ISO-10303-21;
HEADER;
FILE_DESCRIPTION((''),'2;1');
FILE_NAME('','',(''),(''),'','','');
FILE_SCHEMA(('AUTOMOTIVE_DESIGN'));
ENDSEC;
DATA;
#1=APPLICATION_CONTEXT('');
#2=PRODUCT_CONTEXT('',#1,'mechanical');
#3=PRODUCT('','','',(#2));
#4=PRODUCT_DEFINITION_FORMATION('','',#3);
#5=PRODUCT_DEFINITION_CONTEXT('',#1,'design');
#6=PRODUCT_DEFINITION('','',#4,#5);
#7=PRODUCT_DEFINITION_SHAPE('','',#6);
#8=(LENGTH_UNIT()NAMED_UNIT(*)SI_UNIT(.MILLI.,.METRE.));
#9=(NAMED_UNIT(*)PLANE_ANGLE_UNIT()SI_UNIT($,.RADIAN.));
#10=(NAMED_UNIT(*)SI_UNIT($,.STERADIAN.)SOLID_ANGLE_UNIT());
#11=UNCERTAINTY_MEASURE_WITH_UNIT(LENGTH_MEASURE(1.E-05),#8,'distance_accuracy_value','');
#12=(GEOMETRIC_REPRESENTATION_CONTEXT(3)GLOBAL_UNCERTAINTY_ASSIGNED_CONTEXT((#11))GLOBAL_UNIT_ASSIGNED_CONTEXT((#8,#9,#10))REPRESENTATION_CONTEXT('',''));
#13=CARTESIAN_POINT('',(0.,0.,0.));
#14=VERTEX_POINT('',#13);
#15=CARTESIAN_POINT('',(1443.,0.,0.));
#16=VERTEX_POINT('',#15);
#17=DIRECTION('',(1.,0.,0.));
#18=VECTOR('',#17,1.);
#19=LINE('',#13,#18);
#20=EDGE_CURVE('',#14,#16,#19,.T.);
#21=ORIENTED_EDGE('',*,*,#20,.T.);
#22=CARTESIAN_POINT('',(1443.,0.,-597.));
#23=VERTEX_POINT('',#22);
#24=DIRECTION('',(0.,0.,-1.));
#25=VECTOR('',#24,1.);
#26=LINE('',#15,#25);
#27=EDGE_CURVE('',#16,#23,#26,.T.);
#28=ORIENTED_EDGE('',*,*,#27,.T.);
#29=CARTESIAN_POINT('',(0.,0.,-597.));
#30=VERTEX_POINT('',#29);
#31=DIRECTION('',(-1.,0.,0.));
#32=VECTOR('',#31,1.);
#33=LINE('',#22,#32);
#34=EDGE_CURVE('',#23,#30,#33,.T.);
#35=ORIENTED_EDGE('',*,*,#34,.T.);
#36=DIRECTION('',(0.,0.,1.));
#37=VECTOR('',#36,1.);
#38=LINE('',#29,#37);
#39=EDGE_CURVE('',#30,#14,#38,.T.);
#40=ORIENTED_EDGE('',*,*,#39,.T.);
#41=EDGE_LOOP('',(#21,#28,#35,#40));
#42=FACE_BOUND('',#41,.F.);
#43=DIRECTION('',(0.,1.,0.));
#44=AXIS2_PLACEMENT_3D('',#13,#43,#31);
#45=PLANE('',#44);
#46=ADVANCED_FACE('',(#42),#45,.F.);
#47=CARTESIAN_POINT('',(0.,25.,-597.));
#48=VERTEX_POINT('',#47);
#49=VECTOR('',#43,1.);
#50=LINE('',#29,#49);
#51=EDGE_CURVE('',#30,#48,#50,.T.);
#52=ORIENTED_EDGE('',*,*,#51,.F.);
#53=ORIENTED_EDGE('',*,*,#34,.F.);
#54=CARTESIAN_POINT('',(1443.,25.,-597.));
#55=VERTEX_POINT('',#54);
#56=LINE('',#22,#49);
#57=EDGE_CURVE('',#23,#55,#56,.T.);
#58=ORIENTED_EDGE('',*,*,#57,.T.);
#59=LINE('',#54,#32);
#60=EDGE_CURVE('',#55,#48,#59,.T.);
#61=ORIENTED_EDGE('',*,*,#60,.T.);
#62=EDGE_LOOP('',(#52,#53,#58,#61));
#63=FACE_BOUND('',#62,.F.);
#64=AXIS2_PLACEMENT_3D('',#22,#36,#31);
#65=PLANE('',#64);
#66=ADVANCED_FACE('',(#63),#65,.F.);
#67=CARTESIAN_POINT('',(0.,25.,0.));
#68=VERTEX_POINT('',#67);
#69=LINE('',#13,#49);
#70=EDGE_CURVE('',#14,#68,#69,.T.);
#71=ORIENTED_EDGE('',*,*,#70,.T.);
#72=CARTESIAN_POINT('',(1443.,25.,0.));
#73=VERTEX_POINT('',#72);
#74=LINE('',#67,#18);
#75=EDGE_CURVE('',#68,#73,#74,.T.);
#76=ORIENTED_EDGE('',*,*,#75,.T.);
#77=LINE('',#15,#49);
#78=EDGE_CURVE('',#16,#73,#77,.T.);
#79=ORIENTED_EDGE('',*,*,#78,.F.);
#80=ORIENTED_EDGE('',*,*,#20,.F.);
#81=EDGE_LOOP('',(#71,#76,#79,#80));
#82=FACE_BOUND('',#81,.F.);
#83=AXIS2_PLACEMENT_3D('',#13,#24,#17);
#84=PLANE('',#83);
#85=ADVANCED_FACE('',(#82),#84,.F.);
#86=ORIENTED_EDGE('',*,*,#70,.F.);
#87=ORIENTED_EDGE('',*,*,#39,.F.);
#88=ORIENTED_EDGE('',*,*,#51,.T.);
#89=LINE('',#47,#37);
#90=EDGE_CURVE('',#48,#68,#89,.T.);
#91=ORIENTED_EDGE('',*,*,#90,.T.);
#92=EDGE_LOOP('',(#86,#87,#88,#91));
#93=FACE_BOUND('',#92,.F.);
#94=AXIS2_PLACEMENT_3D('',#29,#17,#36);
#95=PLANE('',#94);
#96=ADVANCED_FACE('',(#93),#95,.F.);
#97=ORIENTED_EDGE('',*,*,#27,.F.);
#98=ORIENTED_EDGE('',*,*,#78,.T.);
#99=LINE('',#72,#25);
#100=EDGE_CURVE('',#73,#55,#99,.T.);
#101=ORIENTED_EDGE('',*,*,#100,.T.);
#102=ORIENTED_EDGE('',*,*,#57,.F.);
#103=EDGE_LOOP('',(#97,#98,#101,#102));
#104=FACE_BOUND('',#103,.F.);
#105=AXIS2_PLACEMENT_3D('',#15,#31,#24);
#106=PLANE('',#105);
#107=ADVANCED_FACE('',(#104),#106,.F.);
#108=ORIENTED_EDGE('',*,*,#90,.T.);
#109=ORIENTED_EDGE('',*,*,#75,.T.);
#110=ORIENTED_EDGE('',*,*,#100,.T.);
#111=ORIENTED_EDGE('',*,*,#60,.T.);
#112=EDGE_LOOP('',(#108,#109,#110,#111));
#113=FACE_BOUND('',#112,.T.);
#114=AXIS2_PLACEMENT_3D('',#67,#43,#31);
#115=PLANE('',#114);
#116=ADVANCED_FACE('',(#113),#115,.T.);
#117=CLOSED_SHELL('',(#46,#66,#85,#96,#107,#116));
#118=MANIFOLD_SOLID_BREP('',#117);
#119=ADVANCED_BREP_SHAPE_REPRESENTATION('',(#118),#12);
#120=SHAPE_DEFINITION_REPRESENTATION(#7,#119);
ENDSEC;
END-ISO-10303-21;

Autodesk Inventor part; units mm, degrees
ref_plane "YZ Plane" through (0, 0, 0) normal (1, 0, 0) x (0, 1, 0)
ref_plane "XZ Plane" through (0, 0, 0) normal (0, 1, 0) x (-1, 0, 0)
ref_plane "XY Plane" through (0, 0, 0) normal (0, 0, 1) x (1, 0, 0)
sketch "Boceto1" plane through (0, 0, 0) normal (0, 1, 0) x (-1, 0, 0)
  line L0 (0, 0) -> (-1443, 0)
  line L1 (-1443, 0) -> (-1443, -597)
  line L2 (-1443, -597) -> (0, -597)
  line L3 (0, -597) -> (0, 0)
  dimension "d0" = 1443
  dimension "d1" = 597
extrude "Extrusión1" add sketch "Boceto1" along normal blind 25
properties part number "Tablero 2"
